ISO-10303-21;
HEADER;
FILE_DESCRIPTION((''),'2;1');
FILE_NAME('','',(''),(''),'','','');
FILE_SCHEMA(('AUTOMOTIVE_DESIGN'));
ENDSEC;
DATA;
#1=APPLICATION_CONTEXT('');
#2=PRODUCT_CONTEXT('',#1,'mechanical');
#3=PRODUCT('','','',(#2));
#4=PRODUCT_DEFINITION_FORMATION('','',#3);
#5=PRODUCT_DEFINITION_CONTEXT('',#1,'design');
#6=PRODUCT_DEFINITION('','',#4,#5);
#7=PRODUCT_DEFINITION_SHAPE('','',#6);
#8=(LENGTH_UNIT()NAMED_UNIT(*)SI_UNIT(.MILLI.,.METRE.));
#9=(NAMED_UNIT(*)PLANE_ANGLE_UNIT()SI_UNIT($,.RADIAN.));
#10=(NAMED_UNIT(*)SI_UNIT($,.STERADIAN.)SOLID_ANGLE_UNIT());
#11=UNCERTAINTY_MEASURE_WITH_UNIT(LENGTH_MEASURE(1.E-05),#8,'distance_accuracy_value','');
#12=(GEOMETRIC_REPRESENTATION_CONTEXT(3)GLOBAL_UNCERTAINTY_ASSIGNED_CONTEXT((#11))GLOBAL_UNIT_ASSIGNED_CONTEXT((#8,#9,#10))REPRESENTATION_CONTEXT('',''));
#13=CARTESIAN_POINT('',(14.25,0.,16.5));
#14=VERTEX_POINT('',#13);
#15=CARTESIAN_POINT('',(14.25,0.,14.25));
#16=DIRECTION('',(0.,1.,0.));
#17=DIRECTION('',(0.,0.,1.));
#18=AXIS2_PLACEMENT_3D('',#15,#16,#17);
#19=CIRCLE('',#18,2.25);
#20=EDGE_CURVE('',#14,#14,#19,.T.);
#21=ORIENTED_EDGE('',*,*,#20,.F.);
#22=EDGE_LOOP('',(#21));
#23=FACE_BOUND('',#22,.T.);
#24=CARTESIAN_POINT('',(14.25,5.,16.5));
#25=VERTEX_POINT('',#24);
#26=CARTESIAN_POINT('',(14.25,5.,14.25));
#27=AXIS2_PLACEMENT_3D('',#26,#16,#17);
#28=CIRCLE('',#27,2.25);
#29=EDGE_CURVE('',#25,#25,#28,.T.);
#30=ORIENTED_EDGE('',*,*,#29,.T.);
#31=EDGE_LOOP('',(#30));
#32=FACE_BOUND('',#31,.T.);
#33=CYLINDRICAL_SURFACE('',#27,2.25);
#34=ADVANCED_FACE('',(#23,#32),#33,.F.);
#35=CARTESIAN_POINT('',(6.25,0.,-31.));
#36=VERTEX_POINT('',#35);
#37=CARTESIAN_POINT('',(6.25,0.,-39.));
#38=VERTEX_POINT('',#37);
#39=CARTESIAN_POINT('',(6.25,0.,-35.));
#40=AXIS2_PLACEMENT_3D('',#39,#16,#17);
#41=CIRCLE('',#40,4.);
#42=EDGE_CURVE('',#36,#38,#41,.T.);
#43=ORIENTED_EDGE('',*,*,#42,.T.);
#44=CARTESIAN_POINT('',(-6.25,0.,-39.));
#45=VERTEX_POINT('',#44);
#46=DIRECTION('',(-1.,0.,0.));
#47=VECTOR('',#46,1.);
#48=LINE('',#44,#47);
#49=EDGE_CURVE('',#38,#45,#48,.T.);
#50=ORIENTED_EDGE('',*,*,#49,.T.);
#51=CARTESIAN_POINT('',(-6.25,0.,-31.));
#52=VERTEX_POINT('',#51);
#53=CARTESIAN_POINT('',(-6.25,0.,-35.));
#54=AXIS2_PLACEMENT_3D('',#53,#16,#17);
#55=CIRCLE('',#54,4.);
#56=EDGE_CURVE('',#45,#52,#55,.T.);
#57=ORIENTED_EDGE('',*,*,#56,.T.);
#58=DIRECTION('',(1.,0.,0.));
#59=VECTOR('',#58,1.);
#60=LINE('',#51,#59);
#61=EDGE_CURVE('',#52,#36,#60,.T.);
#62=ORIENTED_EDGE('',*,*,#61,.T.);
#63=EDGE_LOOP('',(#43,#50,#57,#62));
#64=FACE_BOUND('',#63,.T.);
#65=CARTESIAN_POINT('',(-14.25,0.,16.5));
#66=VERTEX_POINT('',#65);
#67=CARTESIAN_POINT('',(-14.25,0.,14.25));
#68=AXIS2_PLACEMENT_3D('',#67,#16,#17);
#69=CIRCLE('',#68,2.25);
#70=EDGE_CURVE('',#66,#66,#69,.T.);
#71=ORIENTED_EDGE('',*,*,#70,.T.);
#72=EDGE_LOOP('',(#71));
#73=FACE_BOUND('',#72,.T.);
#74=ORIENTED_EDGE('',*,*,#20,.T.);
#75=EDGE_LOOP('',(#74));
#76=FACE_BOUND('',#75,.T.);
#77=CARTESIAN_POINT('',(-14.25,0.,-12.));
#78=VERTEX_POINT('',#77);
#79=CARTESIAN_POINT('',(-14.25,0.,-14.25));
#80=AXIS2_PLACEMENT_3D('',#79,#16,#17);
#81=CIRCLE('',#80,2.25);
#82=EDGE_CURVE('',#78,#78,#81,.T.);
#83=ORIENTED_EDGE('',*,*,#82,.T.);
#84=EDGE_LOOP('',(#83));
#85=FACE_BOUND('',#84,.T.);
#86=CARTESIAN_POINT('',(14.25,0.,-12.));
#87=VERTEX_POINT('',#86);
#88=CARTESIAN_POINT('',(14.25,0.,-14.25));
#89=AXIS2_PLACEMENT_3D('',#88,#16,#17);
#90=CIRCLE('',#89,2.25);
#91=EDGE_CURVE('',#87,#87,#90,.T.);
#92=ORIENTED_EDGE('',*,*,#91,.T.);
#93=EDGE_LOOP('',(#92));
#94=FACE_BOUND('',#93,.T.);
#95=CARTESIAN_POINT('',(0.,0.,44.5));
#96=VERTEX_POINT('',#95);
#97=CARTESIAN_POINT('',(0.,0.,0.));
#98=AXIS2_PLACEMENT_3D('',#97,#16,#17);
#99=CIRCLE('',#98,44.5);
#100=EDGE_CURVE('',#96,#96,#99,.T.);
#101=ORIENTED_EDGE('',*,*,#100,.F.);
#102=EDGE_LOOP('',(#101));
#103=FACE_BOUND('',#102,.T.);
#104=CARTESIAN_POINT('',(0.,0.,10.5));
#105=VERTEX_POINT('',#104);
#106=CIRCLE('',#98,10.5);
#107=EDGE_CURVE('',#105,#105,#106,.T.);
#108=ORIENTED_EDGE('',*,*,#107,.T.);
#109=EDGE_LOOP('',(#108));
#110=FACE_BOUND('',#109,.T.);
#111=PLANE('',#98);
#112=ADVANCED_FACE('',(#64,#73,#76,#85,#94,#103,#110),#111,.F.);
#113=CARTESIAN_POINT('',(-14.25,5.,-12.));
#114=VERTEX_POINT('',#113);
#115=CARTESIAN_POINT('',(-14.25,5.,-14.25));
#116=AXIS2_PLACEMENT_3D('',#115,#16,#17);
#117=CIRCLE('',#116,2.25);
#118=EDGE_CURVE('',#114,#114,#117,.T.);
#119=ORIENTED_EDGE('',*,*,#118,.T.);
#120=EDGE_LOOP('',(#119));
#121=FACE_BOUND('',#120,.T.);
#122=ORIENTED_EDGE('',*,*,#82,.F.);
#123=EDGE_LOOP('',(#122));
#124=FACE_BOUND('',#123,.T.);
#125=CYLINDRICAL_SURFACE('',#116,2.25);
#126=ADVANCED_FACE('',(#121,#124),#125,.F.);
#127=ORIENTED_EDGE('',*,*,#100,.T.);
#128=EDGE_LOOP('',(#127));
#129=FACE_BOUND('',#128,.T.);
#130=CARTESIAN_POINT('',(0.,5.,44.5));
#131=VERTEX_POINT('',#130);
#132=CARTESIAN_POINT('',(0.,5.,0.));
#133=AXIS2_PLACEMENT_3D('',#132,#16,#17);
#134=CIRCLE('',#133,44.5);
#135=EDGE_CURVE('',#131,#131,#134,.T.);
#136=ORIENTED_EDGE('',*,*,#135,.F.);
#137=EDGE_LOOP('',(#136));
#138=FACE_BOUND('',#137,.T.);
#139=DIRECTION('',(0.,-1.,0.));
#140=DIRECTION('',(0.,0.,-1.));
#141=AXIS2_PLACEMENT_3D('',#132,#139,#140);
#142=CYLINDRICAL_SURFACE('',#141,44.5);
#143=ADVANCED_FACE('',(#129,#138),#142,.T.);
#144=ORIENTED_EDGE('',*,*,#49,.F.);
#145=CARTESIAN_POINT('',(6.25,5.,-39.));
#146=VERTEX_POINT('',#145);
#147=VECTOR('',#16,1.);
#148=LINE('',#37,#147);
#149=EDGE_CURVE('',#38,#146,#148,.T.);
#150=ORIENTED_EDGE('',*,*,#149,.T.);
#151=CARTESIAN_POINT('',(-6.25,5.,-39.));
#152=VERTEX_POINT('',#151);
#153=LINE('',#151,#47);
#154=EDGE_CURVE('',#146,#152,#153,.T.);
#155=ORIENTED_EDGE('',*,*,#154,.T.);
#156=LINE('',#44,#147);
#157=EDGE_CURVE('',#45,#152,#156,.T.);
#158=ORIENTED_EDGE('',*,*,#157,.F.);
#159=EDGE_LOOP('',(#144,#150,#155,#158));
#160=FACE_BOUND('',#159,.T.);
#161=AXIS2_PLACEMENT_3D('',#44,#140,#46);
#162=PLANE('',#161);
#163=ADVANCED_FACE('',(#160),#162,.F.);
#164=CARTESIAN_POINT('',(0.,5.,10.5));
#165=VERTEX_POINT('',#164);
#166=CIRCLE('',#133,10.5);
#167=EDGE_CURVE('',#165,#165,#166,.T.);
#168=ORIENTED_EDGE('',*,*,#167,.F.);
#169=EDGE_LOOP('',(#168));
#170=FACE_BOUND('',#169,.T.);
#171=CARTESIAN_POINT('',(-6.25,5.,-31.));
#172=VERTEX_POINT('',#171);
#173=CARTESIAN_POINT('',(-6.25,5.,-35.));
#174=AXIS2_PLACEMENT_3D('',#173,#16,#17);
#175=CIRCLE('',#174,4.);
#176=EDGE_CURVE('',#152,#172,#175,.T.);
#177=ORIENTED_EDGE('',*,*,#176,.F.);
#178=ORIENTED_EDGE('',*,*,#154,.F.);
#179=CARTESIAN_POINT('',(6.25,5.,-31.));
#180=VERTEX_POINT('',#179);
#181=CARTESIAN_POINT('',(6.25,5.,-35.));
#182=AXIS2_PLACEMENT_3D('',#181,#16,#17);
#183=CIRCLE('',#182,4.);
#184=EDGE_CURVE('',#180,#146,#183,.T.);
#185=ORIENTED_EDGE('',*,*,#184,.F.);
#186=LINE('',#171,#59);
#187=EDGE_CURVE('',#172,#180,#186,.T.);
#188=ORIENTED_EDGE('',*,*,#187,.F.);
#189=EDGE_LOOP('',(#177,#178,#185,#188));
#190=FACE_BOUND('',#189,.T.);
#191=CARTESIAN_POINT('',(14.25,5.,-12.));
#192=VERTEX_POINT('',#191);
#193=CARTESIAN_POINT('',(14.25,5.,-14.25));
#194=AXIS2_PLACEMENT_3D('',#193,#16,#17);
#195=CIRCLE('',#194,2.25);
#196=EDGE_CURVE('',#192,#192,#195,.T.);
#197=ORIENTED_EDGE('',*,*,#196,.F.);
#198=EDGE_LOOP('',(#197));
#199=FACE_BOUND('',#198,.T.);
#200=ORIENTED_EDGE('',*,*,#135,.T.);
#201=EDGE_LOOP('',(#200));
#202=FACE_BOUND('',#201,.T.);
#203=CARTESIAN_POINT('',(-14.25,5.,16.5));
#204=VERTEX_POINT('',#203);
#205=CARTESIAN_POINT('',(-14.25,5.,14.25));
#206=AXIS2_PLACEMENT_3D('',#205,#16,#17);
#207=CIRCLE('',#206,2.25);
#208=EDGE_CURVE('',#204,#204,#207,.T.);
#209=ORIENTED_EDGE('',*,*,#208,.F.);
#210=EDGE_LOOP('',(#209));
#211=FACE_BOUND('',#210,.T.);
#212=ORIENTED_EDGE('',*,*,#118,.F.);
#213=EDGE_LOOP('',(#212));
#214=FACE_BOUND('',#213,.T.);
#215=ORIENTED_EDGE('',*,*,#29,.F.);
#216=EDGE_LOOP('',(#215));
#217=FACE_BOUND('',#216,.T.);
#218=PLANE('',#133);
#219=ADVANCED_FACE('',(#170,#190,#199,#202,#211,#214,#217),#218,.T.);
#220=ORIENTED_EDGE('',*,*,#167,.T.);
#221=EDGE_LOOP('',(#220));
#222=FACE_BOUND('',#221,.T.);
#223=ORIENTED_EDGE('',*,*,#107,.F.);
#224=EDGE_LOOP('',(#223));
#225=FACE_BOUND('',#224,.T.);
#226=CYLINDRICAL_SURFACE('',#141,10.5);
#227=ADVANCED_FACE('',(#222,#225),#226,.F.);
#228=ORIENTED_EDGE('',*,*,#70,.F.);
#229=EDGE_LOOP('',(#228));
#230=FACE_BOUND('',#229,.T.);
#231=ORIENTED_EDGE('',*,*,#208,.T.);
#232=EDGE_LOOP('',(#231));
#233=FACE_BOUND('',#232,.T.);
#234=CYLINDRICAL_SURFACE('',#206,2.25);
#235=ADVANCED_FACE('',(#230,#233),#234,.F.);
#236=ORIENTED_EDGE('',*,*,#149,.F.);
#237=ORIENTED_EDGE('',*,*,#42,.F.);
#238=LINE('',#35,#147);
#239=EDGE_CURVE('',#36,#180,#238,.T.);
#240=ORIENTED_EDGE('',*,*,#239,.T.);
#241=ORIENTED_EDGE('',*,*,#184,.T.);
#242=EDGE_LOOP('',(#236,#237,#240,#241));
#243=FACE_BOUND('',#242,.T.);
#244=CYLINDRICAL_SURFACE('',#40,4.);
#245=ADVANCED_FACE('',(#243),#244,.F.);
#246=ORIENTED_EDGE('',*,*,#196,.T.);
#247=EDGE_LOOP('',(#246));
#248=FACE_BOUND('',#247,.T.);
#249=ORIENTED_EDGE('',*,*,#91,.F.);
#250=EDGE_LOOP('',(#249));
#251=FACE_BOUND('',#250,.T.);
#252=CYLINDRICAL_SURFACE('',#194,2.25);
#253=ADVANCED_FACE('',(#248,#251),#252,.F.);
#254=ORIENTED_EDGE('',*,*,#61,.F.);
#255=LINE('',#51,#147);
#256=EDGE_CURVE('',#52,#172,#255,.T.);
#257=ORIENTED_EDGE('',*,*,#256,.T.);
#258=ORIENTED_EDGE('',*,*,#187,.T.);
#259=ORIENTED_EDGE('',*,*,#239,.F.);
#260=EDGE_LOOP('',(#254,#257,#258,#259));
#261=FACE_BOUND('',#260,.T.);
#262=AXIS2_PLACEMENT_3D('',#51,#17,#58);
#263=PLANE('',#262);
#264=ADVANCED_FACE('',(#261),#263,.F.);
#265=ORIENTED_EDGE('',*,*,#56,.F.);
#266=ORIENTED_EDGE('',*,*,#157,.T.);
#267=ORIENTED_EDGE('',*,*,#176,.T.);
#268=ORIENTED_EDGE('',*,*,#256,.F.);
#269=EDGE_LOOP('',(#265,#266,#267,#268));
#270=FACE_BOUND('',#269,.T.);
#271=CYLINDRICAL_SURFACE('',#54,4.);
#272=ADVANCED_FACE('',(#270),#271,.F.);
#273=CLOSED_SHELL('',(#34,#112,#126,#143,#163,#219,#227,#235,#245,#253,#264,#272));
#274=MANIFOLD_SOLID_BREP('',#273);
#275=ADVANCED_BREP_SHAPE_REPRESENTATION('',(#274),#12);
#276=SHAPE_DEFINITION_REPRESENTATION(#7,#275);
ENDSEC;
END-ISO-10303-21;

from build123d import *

# Parameters (mm, degrees)
SKETCH1_R            = 44.5
SKETCH1_R_2          = 10.5
BODY_DEPTH           = 5
WIRE_HOLE_DEPTH      = 64.130816564
M4_CLEARANCE_HOLE1_D = 4.5


with BuildPart() as part:
    # Sketch1 → Body (new body)
    with BuildSketch(Plane(origin=(0, 0, 0), x_dir=(1, 0, 0), z_dir=(0, 1, 0))):
        with Locations(Location((0, 0, 0), (0, 0, 270))):
            Circle(SKETCH1_R)
        with Locations(Location((0, 0, 0), (0, 0, 270))):
            Circle(SKETCH1_R_2, mode=Mode.SUBTRACT)
    extrude(amount=BODY_DEPTH)

    # Sketch5 → Wire_Hole (cut, through all)
    with BuildSketch(Plane(origin=(0, 5, 0), x_dir=(1, 0, 0), z_dir=(0, 1, 0))):
        with BuildLine():
            Line((-6.25, 39), (6.25, 39))
            ThreePointArc((6.25, 39), (10.25, 35), (6.25, 31))
            Line((6.25, 31), (-6.25, 31))
            ThreePointArc((-6.25, 31), (-10.25, 35), (-6.25, 39))
        make_face()
    extrude(amount=-WIRE_HOLE_DEPTH, mode=Mode.SUBTRACT)

    # M4 Clearance Hole1 (through all)
    with Locations(Plane(origin=(0, 5, 0), x_dir=(1, 0, 0), z_dir=(0, 1, 0))):
        with Locations((-14.25, 14.25), (14.25, -14.25), (14.25, 14.25), (-14.25, -14.25)):
            Hole(M4_CLEARANCE_HOLE1_D / 2)


solid = part.part
